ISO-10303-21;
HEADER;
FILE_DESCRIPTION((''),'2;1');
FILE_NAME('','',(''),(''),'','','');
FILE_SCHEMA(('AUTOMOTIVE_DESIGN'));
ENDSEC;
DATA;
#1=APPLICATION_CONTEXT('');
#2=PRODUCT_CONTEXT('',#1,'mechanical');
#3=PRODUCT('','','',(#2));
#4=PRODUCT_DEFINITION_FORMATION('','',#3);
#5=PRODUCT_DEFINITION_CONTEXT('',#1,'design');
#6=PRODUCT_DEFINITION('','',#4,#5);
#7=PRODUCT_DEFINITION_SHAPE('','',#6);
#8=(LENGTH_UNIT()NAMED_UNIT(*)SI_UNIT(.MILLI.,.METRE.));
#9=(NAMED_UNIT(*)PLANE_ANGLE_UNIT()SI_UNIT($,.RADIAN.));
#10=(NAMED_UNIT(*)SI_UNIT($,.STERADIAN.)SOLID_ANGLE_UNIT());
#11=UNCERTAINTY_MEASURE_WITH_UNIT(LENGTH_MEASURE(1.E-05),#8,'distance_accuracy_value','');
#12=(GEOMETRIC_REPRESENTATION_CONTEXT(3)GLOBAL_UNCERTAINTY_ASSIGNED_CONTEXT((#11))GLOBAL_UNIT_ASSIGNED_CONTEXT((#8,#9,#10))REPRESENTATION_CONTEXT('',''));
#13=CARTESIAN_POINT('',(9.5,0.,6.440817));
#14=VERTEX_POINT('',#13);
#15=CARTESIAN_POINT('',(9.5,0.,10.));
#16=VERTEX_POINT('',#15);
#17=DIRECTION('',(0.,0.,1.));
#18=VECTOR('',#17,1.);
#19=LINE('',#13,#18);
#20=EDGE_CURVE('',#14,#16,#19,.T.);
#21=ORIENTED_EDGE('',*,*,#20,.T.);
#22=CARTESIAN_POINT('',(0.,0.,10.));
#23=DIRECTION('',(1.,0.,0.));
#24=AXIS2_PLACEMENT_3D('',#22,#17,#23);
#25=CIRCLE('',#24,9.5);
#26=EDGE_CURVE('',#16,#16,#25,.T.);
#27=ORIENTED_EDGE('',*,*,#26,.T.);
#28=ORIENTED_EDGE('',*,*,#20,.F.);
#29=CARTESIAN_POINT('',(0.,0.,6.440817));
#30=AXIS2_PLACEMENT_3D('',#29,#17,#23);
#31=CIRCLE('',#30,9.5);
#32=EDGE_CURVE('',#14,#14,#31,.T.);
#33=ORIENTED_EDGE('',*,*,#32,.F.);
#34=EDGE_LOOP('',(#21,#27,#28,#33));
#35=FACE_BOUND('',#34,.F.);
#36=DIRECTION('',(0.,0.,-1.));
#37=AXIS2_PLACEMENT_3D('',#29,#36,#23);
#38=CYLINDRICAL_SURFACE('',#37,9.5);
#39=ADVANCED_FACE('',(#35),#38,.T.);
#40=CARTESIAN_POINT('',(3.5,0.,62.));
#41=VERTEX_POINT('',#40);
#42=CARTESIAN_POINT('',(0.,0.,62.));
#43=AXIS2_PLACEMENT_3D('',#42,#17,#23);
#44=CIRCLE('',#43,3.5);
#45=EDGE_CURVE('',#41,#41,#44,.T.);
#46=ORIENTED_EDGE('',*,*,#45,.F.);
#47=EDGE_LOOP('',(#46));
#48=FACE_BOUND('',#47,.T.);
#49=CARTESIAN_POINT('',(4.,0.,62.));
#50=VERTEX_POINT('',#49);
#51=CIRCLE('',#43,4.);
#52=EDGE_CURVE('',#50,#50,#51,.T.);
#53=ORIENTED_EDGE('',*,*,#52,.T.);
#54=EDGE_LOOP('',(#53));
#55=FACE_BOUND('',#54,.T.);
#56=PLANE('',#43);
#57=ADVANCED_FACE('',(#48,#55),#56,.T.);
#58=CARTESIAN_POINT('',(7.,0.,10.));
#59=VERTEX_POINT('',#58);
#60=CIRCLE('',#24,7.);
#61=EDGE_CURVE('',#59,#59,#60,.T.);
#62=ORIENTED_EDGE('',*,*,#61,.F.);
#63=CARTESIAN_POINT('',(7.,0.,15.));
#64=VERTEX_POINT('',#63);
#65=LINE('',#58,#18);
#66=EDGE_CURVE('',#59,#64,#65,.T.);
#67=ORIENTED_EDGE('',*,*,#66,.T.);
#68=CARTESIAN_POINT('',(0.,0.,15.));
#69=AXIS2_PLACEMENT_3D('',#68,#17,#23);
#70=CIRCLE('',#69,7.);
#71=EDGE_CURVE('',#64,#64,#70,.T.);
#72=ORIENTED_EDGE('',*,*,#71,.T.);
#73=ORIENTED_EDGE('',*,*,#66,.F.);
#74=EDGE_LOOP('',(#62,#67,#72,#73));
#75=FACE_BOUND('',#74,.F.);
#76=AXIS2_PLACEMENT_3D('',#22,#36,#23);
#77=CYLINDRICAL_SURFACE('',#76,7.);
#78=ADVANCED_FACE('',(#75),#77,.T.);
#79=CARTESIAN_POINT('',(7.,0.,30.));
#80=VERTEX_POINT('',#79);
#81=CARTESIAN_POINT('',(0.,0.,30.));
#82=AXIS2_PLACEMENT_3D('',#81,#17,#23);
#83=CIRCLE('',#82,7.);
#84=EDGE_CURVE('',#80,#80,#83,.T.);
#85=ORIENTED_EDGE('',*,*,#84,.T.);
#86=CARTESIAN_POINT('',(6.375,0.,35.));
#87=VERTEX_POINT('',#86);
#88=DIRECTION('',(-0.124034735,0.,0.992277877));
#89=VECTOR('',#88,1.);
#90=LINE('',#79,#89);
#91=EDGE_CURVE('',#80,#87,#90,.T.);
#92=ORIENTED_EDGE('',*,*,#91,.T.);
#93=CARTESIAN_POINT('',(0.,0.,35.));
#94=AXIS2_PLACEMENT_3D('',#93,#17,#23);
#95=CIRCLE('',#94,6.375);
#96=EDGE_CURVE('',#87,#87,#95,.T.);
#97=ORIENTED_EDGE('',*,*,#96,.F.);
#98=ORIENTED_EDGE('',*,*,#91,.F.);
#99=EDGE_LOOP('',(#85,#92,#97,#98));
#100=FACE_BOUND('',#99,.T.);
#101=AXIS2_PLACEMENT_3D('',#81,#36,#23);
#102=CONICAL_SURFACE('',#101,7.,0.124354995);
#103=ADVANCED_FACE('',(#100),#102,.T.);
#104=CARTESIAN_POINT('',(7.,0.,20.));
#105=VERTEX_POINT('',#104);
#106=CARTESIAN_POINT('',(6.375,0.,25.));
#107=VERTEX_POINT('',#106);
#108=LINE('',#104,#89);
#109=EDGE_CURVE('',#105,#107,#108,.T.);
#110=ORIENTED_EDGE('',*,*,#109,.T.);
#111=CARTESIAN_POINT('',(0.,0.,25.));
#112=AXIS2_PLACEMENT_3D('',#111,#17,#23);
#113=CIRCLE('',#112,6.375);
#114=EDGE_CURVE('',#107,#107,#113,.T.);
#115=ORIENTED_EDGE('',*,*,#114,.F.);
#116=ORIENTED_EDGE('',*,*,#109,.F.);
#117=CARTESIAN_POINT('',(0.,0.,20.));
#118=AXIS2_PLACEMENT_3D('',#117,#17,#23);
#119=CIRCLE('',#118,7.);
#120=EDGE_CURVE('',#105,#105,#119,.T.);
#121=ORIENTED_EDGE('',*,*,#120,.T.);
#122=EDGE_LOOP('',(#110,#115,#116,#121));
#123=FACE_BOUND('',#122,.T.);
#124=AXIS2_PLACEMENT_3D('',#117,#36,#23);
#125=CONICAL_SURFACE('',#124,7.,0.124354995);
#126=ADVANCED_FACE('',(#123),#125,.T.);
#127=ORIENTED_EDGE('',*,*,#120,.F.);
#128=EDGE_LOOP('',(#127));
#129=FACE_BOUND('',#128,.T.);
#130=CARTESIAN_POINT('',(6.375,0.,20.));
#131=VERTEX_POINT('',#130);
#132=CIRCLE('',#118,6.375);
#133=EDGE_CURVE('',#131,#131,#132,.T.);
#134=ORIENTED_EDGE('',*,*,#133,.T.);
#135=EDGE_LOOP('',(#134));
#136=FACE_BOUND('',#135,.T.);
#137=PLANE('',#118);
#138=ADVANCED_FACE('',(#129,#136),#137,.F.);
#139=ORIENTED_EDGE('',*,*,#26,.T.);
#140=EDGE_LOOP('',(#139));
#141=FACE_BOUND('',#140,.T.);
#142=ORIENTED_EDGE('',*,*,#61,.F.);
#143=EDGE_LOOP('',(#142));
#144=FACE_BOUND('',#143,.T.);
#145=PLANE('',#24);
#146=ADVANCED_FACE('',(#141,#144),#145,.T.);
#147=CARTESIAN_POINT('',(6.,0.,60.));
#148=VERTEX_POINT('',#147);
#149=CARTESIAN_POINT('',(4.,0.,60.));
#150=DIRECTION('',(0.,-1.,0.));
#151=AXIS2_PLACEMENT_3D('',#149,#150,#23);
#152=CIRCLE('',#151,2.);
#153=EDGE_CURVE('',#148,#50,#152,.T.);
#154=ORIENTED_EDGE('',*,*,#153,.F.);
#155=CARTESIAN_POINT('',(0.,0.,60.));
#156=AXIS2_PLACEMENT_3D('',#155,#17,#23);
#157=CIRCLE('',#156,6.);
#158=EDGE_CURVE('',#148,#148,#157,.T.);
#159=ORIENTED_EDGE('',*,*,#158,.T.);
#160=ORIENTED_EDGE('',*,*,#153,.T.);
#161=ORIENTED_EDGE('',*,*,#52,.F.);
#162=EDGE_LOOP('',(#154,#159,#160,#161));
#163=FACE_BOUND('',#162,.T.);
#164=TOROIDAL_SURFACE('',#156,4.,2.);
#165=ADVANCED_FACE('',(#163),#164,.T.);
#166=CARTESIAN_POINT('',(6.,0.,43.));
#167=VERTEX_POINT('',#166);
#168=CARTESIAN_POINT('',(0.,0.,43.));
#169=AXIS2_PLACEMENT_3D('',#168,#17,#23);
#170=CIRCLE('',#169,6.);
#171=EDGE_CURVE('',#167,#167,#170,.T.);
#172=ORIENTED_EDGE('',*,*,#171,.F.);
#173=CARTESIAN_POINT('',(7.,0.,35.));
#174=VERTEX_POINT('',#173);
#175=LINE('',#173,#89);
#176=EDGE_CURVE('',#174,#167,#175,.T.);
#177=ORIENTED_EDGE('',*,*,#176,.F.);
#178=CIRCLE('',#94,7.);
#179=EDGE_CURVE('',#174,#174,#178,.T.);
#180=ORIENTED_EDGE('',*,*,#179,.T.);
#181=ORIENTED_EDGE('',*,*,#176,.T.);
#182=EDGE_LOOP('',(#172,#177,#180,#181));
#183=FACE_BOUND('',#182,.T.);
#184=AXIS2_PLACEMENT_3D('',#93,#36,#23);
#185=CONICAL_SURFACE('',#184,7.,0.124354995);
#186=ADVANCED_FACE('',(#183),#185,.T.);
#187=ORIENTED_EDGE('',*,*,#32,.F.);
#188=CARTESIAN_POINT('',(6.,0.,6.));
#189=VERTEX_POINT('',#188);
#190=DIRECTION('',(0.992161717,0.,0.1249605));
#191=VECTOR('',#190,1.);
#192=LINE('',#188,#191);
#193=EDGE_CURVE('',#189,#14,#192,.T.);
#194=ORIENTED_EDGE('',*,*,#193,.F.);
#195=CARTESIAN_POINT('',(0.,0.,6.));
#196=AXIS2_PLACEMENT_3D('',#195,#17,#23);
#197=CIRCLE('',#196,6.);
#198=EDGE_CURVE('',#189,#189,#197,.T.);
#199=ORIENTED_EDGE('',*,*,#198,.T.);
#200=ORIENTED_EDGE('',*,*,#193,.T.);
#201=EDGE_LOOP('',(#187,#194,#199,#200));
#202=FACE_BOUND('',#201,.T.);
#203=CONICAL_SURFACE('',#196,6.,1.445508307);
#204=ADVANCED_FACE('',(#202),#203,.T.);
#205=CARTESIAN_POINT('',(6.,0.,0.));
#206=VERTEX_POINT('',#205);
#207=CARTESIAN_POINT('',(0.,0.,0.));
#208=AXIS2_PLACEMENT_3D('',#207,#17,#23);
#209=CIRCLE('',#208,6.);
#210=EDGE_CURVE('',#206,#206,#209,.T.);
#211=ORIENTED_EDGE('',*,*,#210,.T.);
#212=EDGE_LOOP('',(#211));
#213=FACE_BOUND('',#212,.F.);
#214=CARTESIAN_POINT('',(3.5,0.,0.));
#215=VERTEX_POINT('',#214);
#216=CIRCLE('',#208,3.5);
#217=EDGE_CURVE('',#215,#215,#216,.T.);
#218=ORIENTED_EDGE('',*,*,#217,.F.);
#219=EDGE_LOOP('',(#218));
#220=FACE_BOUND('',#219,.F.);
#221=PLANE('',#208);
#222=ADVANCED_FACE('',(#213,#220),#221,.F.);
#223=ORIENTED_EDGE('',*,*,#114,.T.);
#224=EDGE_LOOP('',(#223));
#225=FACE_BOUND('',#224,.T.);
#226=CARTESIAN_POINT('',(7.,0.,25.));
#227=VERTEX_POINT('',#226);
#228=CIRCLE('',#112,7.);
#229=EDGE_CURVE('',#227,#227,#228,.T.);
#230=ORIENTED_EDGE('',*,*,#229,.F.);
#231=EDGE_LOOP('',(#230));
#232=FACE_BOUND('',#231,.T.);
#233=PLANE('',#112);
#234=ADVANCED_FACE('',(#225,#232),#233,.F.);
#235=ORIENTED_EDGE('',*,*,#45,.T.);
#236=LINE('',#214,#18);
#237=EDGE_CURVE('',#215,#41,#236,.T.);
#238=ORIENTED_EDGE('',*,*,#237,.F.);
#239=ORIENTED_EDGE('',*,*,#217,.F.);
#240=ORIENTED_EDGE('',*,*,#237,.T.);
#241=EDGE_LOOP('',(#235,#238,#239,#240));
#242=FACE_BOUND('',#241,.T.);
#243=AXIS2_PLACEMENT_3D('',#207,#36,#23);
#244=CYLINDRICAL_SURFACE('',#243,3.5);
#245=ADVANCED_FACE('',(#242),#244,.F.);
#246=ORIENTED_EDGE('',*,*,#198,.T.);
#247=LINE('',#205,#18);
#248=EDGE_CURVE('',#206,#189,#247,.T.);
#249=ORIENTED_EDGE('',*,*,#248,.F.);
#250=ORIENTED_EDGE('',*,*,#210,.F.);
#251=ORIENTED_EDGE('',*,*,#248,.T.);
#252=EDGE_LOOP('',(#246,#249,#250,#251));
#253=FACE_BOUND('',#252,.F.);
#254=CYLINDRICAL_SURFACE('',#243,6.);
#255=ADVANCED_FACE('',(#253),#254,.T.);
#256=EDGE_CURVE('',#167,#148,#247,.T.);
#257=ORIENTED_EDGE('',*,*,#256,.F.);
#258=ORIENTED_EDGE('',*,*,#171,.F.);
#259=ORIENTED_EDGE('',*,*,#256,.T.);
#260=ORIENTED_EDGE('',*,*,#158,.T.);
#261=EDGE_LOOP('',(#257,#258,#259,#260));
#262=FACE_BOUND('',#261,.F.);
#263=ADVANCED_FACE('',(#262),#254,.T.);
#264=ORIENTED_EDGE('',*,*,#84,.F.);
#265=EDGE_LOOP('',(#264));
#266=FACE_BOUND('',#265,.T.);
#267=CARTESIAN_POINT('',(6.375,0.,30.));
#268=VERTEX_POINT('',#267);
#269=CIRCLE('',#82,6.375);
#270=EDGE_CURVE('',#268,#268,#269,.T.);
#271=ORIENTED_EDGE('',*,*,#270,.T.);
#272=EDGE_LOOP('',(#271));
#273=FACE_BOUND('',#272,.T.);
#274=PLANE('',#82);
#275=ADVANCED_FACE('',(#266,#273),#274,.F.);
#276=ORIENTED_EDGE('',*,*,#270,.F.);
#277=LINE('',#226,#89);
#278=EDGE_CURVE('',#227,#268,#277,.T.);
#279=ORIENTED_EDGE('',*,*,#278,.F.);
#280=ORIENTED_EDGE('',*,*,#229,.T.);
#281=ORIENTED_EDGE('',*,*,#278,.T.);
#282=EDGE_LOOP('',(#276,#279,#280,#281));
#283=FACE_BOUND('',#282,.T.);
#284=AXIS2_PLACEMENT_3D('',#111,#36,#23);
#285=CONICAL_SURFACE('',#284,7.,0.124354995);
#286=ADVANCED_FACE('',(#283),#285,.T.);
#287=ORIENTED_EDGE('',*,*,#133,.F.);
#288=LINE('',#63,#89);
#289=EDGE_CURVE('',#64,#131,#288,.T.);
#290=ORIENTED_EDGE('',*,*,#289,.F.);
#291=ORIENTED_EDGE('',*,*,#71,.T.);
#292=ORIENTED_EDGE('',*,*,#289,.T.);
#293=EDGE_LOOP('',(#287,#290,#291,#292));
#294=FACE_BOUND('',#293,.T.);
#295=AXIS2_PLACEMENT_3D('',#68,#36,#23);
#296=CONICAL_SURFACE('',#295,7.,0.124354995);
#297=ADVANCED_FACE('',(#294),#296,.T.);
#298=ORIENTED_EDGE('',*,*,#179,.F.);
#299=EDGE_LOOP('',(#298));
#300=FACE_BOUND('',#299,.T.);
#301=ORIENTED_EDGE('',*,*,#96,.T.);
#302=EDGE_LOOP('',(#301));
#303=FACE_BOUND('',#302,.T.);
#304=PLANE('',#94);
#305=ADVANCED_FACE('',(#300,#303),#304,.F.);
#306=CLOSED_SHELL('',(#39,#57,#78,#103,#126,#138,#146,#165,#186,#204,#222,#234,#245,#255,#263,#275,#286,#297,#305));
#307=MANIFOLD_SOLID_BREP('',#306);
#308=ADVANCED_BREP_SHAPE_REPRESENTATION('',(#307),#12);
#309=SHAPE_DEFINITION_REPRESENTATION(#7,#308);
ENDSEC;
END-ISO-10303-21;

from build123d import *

# Parameters (mm, degrees)
CYLINDER003_R     = 3.5
CYLINDER003_DEPTH = 62
ARRAY_Z_COUNT     = 5
ARRAY_Z_PITCH     = 5
CYLINDER001_R     = 7
CYLINDER001_DEPTH = 5
CYLINDER002_R     = 9.5
CYLINDER002_DEPTH = 3.559183
CYLINDER004_R     = 4
CYLINDER004_DEPTH = 62
CYLINDER_R        = 6
CYLINDER_DEPTH    = 60
TORUS_R           = 2


with BuildPart() as cylinder003:
    # Cylinder003 → Cylinder003 (new body)
    with BuildSketch(Plane.XY):
        Circle(CYLINDER003_R)
    extrude(amount=CYLINDER003_DEPTH)


with BuildPart() as fusion002:
    # Cone → Cone (revolve)
    with BuildSketch(Plane.XZ):
        Polygon((0, 0), (7, 0), (6, 8), (0, 8), align=None)
    revolve(axis=Axis((0, 0, 0), (0, 0, 1)))

    # Array Z: Fusion002 ×5


with BuildPart() as fusion002_1:
    add(fusion002.part)
    with Locations(*[(0, 0, i * ARRAY_Z_PITCH) for i in range(1, ARRAY_Z_COUNT)]):
        add(fusion002.part)


with BuildPart() as fusion002_2:
    # Array placement: moved
    add(fusion002_1.part.moved(Location((0, 0, 15))))


with BuildPart() as cylinder001:
    # Cylinder001 → Cylinder001 (new body)
    with BuildSketch(Plane.XY.offset(10)):
        Circle(CYLINDER001_R)
    extrude(amount=CYLINDER001_DEPTH)


with BuildPart() as cylinder002:
    # Cylinder002 → Cylinder002 (new body)
    with BuildSketch(Plane.XY.offset(6.440817)):
        Circle(CYLINDER002_R)
    extrude(amount=CYLINDER002_DEPTH)


with BuildPart() as fusion:
    # Cone001 → Cone001 (revolve)
    with BuildSketch(Plane(origin=(0, 0, 6), x_dir=(1, 0, 0), z_dir=(0, -1, 0))):
        Polygon((0, 0), (6, 0), (9.5, 0.440817), (0, 0.440817), align=None)
    revolve(axis=Axis((0, 0, 6), (0, 0, 1)))

    # Fusion: union Cylinder001, Cylinder002
    add(cylinder001.part)
    add(cylinder002.part)


with BuildPart() as cylinder004:
    # Cylinder004 → Cylinder004 (new body)
    with BuildSketch(Plane.XY):
        Circle(CYLINDER004_R)
    extrude(amount=CYLINDER004_DEPTH)


with BuildPart() as fusion003:
    # Cylinder → Cylinder (new body)
    with BuildSketch(Plane.XY):
        Circle(CYLINDER_R)
    extrude(amount=CYLINDER_DEPTH)

    # Fusion001: union Fusion, Cylinder004
    add(fusion.part)
    add(cylinder004.part)

    # Fusion003: union Fusion002
    add(fusion002_2.part)


with BuildPart() as schlauchstutzen:
    # Torus → Torus (revolve)
    with BuildSketch(Plane(origin=(0, 0, 60), x_dir=(1, 0, 0), z_dir=(0, -1, 0))):
        with Locations((4, 0)):
            Circle(TORUS_R)
    revolve(axis=Axis((0, 0, 60), (0, 0, 1)))

    # Fusion004: union Fusion003
    add(fusion003.part)

    # Cut: cut Cylinder003
    add(cylinder003.part, mode=Mode.SUBTRACT)


solid = schlauchstutzen.part
